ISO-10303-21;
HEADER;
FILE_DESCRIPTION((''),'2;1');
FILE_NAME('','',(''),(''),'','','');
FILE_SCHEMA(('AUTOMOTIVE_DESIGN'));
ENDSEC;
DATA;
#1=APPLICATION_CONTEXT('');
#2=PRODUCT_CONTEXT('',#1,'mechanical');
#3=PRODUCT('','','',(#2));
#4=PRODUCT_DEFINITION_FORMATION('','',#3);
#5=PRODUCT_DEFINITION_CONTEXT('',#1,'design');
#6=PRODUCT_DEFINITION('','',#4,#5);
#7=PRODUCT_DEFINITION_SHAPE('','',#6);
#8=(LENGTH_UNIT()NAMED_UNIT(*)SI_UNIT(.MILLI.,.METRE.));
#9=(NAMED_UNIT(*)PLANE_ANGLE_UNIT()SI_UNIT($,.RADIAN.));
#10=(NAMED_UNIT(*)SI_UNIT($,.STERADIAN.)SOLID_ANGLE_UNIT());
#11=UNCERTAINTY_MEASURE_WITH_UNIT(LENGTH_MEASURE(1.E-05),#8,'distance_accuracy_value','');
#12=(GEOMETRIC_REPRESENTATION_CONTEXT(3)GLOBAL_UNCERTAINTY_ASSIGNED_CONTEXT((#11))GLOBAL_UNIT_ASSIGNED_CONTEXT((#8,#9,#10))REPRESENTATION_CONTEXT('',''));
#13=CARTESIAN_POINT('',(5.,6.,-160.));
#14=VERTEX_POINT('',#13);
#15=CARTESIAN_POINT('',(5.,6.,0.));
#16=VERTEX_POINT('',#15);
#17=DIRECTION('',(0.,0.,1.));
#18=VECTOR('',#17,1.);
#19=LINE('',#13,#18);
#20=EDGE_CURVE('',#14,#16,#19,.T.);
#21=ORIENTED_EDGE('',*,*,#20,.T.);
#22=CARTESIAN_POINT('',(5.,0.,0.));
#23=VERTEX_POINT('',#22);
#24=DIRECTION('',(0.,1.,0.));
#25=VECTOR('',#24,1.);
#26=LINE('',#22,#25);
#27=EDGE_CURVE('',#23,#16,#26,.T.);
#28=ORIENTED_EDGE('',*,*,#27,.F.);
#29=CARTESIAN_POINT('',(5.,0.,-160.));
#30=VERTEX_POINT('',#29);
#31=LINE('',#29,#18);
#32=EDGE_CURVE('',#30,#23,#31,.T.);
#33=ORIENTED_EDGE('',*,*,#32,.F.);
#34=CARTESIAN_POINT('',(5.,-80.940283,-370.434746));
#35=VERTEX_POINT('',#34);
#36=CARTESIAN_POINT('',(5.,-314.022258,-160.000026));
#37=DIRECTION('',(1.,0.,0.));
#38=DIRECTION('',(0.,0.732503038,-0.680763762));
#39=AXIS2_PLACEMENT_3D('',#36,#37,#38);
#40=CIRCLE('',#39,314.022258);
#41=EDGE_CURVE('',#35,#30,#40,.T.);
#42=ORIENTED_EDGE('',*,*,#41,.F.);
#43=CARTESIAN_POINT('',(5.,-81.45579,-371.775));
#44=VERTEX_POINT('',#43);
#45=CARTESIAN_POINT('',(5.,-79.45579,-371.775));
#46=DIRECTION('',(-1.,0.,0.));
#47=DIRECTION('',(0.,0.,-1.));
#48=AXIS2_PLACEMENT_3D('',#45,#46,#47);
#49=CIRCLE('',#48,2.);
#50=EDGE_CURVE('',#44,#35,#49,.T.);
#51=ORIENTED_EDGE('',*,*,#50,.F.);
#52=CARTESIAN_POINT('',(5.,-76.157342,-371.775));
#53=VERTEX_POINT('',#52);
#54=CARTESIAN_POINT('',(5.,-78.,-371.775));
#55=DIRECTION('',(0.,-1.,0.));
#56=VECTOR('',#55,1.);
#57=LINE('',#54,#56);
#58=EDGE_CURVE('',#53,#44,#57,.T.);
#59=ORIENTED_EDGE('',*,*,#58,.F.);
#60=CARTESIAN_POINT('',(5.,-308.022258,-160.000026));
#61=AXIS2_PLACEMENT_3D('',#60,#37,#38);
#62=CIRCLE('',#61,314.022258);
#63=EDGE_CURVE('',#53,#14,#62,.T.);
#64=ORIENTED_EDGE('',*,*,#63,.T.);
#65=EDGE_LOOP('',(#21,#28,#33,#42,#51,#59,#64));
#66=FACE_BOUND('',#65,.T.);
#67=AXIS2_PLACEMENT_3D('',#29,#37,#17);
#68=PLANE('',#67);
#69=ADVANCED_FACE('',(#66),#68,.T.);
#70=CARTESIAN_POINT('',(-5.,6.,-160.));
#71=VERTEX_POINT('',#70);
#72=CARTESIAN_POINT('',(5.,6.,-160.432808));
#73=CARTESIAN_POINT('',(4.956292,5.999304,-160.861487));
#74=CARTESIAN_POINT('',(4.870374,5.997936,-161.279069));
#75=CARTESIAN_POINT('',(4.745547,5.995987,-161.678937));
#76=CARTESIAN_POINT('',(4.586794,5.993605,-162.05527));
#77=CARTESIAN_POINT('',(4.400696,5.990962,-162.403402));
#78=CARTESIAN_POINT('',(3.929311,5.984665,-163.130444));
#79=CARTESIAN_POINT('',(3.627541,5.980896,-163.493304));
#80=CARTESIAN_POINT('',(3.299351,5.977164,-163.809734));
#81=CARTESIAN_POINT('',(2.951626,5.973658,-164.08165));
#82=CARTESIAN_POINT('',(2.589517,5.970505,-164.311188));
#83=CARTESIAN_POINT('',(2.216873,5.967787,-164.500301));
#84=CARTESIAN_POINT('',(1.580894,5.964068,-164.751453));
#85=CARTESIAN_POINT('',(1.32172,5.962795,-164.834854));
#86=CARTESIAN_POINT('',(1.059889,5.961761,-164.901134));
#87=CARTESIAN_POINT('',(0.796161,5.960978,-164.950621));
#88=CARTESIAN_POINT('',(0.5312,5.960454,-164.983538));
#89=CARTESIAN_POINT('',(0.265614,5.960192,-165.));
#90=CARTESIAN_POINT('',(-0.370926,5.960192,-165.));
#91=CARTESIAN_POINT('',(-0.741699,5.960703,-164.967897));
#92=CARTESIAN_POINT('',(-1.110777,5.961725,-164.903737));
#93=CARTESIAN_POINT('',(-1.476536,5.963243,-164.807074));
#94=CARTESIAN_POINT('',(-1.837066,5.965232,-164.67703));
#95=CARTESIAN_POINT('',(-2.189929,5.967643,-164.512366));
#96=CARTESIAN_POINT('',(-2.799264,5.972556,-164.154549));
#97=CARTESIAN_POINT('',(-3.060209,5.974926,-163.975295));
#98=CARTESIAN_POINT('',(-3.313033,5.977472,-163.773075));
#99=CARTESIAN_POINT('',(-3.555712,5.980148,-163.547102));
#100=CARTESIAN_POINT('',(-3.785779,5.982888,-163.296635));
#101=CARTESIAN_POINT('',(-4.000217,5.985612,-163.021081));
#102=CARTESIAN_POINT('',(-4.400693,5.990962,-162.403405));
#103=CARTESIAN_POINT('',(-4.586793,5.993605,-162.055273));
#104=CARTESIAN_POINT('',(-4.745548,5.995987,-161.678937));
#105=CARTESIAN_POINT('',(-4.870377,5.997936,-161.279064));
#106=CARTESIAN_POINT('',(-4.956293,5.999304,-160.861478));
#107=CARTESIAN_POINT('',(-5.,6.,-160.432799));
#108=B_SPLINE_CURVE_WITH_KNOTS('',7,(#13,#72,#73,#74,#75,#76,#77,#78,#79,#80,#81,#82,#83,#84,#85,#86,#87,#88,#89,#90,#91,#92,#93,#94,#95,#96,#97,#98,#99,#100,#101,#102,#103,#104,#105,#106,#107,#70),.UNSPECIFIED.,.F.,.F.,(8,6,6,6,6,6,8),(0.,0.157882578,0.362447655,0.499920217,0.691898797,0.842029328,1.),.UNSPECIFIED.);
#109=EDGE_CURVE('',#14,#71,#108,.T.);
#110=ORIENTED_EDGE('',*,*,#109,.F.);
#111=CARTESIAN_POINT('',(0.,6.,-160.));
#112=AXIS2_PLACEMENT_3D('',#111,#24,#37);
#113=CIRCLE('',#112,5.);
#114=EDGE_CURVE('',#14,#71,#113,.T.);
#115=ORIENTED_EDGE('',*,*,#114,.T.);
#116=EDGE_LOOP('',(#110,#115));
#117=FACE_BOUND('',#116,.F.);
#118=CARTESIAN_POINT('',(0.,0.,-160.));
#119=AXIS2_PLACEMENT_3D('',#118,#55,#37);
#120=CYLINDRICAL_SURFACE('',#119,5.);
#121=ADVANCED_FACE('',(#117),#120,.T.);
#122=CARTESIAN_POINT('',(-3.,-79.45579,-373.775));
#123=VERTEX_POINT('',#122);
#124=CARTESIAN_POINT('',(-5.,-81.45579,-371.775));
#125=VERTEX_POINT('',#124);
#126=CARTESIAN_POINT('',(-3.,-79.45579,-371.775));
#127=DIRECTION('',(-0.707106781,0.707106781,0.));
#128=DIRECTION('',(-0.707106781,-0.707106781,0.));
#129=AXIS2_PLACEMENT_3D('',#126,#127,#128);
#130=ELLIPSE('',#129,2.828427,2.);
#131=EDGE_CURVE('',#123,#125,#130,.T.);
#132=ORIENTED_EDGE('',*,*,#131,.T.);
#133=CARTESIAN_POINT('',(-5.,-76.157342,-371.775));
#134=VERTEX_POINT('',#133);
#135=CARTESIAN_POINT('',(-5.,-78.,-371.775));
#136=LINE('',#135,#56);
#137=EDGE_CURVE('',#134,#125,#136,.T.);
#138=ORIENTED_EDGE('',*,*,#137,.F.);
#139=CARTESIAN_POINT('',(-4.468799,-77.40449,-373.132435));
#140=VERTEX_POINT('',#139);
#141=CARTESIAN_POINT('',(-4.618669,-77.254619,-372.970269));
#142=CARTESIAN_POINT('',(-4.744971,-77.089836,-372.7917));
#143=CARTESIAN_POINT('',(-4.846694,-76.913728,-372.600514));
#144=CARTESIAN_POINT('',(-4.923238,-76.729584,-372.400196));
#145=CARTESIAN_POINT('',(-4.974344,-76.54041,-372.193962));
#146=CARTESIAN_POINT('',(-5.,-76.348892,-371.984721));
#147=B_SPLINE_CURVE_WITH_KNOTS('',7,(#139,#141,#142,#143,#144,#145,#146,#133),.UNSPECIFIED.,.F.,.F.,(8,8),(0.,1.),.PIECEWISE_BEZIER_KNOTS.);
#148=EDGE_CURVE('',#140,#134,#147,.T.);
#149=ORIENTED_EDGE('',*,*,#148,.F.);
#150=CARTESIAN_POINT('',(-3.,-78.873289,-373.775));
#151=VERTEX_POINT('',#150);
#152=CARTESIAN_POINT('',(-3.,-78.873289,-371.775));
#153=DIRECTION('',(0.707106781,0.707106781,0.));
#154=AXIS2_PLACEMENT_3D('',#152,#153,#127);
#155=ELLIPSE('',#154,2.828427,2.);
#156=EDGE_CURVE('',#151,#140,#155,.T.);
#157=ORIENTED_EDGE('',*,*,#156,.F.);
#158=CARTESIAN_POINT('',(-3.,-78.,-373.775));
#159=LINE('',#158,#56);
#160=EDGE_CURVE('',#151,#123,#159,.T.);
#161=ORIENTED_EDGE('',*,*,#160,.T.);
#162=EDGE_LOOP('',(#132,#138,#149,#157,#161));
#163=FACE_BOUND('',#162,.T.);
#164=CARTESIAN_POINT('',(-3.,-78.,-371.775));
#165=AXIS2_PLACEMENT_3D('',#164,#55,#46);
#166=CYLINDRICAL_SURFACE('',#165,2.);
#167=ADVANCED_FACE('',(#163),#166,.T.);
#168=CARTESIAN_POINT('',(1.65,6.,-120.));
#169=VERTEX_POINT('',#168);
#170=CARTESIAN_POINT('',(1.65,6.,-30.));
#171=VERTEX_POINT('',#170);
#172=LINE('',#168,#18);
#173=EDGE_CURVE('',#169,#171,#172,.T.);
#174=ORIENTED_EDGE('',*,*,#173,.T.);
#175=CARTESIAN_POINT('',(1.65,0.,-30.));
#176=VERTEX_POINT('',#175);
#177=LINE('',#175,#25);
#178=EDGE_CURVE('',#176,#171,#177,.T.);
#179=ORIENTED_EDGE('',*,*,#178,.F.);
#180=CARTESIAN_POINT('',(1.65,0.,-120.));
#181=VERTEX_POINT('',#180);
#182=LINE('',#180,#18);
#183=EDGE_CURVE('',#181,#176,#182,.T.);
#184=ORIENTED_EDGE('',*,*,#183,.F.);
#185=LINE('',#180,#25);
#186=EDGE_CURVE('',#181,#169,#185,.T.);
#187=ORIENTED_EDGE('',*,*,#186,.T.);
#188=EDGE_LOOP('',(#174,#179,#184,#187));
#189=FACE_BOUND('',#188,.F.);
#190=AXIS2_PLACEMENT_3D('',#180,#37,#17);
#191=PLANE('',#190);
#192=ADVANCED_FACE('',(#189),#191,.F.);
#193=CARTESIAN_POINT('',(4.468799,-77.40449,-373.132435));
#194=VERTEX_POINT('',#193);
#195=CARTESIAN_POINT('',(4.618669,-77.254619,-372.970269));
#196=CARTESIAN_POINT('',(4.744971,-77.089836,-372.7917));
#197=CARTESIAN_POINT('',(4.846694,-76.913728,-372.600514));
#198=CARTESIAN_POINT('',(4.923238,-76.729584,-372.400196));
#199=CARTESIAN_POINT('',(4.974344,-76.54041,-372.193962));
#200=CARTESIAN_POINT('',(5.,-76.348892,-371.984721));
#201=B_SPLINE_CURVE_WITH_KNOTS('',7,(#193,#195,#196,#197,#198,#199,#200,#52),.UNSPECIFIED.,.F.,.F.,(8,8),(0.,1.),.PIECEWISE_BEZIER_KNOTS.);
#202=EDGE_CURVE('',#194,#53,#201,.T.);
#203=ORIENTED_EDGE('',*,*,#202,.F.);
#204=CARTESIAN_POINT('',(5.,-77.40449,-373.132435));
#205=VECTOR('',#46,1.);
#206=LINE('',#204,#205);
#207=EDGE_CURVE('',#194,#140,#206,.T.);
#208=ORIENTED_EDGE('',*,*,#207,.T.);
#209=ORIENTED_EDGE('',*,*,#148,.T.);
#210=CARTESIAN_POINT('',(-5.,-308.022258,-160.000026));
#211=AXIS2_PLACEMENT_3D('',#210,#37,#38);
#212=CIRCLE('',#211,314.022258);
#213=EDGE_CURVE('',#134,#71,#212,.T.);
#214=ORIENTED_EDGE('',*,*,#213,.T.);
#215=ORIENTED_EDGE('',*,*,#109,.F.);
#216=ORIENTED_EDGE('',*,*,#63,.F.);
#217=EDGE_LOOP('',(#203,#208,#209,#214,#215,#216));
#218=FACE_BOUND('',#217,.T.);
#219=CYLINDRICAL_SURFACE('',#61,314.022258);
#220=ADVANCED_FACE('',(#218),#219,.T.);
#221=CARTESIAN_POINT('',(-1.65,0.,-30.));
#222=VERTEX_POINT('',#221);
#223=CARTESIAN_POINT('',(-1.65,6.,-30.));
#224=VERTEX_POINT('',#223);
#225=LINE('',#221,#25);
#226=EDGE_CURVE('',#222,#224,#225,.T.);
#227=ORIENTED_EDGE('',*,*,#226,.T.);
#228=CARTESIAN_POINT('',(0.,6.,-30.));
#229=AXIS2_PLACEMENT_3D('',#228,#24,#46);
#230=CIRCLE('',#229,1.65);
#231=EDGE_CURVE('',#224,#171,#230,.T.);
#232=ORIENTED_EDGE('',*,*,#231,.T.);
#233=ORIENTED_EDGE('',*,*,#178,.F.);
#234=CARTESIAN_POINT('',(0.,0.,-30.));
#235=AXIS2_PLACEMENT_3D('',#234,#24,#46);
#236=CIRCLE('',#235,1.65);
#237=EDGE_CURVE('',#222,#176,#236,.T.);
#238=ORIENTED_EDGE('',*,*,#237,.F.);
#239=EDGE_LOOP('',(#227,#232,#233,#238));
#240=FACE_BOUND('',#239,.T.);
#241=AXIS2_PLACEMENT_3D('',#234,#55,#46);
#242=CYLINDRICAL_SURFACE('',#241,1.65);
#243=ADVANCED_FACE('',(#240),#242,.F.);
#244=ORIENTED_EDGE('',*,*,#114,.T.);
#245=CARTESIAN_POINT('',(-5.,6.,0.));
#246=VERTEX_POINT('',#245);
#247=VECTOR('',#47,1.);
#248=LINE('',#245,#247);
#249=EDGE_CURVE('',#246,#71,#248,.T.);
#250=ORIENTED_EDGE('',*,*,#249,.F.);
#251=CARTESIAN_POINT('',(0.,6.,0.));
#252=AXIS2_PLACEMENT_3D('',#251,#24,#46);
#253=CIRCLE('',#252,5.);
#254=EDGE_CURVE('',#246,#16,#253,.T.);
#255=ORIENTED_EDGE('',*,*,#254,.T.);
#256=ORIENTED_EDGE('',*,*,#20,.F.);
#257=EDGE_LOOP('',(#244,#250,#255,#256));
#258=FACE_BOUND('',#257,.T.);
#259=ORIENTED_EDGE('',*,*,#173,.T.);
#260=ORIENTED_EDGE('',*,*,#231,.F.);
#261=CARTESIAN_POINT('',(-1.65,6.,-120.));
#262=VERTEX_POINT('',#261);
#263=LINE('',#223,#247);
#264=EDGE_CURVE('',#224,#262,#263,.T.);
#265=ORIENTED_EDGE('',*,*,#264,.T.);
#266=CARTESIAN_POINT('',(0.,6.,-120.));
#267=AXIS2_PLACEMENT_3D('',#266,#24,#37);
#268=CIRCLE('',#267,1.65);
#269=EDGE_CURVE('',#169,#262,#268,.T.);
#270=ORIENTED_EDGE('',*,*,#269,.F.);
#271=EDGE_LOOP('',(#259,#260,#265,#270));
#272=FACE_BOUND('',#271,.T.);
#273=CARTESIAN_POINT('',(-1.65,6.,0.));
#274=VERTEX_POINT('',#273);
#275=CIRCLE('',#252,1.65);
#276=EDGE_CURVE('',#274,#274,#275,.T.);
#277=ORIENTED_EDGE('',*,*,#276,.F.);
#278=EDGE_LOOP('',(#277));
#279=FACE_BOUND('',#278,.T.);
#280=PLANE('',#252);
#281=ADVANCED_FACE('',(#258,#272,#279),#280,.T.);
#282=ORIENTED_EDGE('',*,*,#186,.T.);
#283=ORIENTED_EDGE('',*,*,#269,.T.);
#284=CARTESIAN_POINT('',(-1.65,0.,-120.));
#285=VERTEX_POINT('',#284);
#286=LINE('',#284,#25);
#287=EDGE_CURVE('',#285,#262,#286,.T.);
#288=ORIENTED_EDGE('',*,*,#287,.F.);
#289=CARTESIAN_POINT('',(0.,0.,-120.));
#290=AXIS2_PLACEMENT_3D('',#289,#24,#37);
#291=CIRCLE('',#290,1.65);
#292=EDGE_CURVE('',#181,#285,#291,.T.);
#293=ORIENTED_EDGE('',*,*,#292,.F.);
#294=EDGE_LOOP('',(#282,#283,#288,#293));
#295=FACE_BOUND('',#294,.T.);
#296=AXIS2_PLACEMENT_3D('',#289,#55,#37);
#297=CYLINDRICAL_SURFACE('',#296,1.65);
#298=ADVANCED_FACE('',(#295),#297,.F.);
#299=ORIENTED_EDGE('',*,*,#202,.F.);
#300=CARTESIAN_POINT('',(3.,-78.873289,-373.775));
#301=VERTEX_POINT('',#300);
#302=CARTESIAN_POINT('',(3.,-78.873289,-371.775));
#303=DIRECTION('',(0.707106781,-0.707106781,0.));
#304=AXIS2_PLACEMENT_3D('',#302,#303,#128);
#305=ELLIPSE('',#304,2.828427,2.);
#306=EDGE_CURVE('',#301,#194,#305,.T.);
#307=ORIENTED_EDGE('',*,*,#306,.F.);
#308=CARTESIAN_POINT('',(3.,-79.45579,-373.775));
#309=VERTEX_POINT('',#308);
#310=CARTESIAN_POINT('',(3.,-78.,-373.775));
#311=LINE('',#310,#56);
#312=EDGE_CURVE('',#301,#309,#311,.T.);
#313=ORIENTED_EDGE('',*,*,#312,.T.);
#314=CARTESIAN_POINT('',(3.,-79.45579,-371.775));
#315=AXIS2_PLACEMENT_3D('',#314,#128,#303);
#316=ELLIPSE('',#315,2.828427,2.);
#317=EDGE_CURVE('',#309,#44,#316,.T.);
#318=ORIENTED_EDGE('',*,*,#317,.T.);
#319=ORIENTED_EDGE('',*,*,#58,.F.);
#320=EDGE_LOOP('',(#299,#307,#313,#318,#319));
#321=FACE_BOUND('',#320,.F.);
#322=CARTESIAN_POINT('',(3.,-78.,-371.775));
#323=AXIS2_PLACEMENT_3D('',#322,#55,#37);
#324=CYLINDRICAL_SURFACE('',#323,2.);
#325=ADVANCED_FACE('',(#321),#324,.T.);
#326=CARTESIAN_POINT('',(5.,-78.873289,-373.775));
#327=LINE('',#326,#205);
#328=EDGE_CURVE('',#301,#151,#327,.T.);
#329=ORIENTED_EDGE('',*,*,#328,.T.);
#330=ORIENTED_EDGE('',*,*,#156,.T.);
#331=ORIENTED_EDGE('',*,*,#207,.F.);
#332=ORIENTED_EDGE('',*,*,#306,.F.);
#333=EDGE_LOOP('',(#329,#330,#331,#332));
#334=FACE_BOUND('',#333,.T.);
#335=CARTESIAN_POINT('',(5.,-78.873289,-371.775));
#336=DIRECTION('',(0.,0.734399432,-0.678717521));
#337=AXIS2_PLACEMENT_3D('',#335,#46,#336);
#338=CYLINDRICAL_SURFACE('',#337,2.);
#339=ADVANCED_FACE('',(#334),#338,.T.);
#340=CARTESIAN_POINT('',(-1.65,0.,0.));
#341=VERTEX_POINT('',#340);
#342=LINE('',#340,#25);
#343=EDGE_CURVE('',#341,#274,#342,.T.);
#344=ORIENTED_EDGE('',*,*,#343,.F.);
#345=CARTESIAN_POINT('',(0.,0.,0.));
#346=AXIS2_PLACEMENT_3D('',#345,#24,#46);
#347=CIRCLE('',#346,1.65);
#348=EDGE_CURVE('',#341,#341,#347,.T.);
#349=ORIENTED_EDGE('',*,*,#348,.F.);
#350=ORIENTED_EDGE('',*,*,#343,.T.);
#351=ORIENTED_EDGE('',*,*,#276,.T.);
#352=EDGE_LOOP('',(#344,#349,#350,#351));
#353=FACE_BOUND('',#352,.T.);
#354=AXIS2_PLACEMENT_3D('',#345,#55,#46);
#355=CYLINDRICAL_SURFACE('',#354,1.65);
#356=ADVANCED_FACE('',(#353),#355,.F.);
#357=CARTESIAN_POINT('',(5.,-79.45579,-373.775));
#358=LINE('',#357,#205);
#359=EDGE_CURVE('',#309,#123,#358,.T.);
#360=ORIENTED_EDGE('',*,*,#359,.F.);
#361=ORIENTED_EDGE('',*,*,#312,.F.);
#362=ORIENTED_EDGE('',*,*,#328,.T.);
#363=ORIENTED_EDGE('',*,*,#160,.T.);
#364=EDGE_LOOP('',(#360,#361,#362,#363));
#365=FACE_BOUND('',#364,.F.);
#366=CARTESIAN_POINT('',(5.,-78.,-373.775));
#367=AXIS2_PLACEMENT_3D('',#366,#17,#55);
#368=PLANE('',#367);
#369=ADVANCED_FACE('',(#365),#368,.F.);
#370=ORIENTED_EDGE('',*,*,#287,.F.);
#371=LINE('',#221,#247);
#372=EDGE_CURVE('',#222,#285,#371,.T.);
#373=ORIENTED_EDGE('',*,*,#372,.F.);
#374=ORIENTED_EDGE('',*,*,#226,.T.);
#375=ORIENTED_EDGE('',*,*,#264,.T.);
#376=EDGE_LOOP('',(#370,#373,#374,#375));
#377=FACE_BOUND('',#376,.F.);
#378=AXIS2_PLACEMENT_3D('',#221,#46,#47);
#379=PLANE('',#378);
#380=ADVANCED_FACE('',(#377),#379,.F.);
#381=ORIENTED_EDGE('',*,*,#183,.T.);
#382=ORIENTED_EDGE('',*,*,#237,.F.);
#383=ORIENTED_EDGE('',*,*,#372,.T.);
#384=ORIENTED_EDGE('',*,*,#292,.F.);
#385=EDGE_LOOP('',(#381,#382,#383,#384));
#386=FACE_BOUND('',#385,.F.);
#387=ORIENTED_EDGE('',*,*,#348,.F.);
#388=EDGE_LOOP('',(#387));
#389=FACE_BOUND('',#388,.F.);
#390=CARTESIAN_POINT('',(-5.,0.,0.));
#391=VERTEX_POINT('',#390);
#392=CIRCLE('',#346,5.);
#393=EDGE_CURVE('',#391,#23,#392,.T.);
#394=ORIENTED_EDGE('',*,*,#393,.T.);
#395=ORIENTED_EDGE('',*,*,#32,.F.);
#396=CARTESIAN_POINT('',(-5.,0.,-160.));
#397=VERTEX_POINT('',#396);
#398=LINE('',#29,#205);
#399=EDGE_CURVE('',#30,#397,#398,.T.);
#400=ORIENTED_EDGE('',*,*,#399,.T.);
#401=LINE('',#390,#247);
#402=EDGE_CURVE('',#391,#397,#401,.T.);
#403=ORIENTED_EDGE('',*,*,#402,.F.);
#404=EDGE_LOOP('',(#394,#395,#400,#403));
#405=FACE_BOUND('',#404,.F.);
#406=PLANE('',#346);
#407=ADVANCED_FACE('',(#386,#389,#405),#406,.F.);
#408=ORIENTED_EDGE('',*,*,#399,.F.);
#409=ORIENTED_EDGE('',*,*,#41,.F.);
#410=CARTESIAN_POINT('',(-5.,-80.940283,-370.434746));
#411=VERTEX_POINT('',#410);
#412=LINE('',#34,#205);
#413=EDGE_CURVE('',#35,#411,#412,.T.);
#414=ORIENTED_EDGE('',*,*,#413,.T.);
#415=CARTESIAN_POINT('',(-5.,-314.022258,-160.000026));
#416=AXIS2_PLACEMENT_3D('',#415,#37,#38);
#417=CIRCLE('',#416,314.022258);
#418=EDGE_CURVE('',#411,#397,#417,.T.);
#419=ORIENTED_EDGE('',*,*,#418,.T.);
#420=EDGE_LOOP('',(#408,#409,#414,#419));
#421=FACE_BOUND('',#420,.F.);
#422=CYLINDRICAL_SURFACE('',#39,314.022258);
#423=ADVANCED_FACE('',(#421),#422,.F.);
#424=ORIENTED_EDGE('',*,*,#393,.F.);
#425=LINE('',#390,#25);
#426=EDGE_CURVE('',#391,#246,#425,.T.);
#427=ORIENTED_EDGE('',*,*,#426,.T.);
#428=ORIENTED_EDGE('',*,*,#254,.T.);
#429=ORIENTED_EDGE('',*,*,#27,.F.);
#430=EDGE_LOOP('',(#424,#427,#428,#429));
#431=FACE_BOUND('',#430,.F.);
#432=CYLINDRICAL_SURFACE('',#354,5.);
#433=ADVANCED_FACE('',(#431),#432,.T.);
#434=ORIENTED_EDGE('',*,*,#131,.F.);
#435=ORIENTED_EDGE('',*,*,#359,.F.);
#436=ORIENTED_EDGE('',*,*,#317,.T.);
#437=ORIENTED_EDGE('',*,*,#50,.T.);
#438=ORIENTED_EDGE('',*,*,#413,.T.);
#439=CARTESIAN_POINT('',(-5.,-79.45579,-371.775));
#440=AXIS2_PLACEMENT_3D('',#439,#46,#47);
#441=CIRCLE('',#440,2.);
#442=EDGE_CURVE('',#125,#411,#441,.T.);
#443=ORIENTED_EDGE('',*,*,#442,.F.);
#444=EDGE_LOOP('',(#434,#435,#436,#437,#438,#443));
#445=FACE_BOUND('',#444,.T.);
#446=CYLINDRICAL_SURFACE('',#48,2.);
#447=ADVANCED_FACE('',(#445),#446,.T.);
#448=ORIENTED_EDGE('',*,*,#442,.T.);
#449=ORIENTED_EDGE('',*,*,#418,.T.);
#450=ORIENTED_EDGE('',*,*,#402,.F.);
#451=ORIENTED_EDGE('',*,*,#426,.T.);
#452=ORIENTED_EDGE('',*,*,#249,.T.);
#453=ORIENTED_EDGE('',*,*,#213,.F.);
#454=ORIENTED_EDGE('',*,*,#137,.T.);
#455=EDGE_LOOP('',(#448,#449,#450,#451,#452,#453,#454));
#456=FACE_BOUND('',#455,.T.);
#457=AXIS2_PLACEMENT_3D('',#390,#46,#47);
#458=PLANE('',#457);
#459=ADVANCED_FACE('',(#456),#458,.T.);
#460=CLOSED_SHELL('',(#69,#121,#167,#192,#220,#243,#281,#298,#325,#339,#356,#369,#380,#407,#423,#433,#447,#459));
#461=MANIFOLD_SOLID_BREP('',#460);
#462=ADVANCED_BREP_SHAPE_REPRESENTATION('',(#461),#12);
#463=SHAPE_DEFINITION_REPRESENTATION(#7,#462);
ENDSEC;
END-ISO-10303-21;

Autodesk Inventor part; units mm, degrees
ref_plane "YZ Plane" through (0, 0, 0) normal (1, 0, 0) x (0, 1, 0)
ref_plane "XZ Plane" through (0, 0, 0) normal (0, 1, 0) x (-1, 0, 0)
ref_plane "XY Plane" through (0, 0, 0) normal (0, 0, 1) x (1, 0, 0)
sketch "Sketch1" plane through (0, 0, 0) normal (0, 1, 0) x (-1, 0, 0)
  line L0 (0, 0) -> (0, -160) construction
  line L1 (5, 0) -> (5, -160)
  line L2 (-5, -160) -> (-5, 0)
  arc A0 (5, 0) -> (-5, 0) centre (0, 0) ccw
  arc A1 (-5, -160) -> (5, -160) centre (0, -160) ccw
  circle A2 centre (0, 0) radius 1.65
  line L3 (0, -30) -> (0, -120) construction
  line L4 (1.65, -30) -> (1.65, -120)
  line L5 (-1.65, -120) -> (-1.65, -30)
  arc A3 (1.65, -30) -> (-1.65, -30) centre (0, -30) ccw
  arc A4 (-1.65, -120) -> (1.65, -120) centre (0, -120) ccw
  point P0 (0, -80)
  point P1 (0, -75)
  dimension "d0" = 160
  dimension "d1" = 10
  dimension "d2" = 3.3
  dimension "d3" = 30
  dimension "d5" = 120
  dimension "d6" = 3.3
extrude "Extrusion1" add sketch "Sketch1" along normal blind 6
sketch "Sketch2" plane through (5, 0, 0) normal (1, 0, 0) x (0, 0, -1)
  line L0 (160, 0) -> (160, 6) projected
  line L1 (0, 0) -> (160, 0) projected
  line L2 (160, 0) -> (160, 6) projected
  line L3 (0, 6) -> (160, 6) projected
  line L4 (0, 0) -> (0, 6) projected
  line L5 (160, 0) -> (160, 0) projected
  line L6 (160, 0) -> (160, 6) projected
  line L7 (160, 6) -> (160, 6) projected
  line L8 (160, 0) -> (160, 6) projected
  line L9 (160, 0) -> (0, 0) projected
  arc A0 (373.775, -84) -> (160, 0) centre (160, -314.0223) ccw
  line L10 (160, 6) -> (0, 6) projected
  arc A1 (373.775, -78) -> (160, 6) centre (160, -308.0223) ccw
  line L11 (373.775, -78) -> (373.775, -84)
  line L12 (0, 0) -> (160, 0) projected
  dimension "d9" = 6
  dimension "d10" = 373.775
  dimension "d11" = 90
extrude "Extrusion2" add sketch "Sketch2" against normal blind 10 contours L0 A1 L11 A0
fillet "Fillet1" radius 2 4 edges at (0, -78, -373.775) (5, -81, -373.775) (-5, -81, -373.775) (0, -84, -373.775)
